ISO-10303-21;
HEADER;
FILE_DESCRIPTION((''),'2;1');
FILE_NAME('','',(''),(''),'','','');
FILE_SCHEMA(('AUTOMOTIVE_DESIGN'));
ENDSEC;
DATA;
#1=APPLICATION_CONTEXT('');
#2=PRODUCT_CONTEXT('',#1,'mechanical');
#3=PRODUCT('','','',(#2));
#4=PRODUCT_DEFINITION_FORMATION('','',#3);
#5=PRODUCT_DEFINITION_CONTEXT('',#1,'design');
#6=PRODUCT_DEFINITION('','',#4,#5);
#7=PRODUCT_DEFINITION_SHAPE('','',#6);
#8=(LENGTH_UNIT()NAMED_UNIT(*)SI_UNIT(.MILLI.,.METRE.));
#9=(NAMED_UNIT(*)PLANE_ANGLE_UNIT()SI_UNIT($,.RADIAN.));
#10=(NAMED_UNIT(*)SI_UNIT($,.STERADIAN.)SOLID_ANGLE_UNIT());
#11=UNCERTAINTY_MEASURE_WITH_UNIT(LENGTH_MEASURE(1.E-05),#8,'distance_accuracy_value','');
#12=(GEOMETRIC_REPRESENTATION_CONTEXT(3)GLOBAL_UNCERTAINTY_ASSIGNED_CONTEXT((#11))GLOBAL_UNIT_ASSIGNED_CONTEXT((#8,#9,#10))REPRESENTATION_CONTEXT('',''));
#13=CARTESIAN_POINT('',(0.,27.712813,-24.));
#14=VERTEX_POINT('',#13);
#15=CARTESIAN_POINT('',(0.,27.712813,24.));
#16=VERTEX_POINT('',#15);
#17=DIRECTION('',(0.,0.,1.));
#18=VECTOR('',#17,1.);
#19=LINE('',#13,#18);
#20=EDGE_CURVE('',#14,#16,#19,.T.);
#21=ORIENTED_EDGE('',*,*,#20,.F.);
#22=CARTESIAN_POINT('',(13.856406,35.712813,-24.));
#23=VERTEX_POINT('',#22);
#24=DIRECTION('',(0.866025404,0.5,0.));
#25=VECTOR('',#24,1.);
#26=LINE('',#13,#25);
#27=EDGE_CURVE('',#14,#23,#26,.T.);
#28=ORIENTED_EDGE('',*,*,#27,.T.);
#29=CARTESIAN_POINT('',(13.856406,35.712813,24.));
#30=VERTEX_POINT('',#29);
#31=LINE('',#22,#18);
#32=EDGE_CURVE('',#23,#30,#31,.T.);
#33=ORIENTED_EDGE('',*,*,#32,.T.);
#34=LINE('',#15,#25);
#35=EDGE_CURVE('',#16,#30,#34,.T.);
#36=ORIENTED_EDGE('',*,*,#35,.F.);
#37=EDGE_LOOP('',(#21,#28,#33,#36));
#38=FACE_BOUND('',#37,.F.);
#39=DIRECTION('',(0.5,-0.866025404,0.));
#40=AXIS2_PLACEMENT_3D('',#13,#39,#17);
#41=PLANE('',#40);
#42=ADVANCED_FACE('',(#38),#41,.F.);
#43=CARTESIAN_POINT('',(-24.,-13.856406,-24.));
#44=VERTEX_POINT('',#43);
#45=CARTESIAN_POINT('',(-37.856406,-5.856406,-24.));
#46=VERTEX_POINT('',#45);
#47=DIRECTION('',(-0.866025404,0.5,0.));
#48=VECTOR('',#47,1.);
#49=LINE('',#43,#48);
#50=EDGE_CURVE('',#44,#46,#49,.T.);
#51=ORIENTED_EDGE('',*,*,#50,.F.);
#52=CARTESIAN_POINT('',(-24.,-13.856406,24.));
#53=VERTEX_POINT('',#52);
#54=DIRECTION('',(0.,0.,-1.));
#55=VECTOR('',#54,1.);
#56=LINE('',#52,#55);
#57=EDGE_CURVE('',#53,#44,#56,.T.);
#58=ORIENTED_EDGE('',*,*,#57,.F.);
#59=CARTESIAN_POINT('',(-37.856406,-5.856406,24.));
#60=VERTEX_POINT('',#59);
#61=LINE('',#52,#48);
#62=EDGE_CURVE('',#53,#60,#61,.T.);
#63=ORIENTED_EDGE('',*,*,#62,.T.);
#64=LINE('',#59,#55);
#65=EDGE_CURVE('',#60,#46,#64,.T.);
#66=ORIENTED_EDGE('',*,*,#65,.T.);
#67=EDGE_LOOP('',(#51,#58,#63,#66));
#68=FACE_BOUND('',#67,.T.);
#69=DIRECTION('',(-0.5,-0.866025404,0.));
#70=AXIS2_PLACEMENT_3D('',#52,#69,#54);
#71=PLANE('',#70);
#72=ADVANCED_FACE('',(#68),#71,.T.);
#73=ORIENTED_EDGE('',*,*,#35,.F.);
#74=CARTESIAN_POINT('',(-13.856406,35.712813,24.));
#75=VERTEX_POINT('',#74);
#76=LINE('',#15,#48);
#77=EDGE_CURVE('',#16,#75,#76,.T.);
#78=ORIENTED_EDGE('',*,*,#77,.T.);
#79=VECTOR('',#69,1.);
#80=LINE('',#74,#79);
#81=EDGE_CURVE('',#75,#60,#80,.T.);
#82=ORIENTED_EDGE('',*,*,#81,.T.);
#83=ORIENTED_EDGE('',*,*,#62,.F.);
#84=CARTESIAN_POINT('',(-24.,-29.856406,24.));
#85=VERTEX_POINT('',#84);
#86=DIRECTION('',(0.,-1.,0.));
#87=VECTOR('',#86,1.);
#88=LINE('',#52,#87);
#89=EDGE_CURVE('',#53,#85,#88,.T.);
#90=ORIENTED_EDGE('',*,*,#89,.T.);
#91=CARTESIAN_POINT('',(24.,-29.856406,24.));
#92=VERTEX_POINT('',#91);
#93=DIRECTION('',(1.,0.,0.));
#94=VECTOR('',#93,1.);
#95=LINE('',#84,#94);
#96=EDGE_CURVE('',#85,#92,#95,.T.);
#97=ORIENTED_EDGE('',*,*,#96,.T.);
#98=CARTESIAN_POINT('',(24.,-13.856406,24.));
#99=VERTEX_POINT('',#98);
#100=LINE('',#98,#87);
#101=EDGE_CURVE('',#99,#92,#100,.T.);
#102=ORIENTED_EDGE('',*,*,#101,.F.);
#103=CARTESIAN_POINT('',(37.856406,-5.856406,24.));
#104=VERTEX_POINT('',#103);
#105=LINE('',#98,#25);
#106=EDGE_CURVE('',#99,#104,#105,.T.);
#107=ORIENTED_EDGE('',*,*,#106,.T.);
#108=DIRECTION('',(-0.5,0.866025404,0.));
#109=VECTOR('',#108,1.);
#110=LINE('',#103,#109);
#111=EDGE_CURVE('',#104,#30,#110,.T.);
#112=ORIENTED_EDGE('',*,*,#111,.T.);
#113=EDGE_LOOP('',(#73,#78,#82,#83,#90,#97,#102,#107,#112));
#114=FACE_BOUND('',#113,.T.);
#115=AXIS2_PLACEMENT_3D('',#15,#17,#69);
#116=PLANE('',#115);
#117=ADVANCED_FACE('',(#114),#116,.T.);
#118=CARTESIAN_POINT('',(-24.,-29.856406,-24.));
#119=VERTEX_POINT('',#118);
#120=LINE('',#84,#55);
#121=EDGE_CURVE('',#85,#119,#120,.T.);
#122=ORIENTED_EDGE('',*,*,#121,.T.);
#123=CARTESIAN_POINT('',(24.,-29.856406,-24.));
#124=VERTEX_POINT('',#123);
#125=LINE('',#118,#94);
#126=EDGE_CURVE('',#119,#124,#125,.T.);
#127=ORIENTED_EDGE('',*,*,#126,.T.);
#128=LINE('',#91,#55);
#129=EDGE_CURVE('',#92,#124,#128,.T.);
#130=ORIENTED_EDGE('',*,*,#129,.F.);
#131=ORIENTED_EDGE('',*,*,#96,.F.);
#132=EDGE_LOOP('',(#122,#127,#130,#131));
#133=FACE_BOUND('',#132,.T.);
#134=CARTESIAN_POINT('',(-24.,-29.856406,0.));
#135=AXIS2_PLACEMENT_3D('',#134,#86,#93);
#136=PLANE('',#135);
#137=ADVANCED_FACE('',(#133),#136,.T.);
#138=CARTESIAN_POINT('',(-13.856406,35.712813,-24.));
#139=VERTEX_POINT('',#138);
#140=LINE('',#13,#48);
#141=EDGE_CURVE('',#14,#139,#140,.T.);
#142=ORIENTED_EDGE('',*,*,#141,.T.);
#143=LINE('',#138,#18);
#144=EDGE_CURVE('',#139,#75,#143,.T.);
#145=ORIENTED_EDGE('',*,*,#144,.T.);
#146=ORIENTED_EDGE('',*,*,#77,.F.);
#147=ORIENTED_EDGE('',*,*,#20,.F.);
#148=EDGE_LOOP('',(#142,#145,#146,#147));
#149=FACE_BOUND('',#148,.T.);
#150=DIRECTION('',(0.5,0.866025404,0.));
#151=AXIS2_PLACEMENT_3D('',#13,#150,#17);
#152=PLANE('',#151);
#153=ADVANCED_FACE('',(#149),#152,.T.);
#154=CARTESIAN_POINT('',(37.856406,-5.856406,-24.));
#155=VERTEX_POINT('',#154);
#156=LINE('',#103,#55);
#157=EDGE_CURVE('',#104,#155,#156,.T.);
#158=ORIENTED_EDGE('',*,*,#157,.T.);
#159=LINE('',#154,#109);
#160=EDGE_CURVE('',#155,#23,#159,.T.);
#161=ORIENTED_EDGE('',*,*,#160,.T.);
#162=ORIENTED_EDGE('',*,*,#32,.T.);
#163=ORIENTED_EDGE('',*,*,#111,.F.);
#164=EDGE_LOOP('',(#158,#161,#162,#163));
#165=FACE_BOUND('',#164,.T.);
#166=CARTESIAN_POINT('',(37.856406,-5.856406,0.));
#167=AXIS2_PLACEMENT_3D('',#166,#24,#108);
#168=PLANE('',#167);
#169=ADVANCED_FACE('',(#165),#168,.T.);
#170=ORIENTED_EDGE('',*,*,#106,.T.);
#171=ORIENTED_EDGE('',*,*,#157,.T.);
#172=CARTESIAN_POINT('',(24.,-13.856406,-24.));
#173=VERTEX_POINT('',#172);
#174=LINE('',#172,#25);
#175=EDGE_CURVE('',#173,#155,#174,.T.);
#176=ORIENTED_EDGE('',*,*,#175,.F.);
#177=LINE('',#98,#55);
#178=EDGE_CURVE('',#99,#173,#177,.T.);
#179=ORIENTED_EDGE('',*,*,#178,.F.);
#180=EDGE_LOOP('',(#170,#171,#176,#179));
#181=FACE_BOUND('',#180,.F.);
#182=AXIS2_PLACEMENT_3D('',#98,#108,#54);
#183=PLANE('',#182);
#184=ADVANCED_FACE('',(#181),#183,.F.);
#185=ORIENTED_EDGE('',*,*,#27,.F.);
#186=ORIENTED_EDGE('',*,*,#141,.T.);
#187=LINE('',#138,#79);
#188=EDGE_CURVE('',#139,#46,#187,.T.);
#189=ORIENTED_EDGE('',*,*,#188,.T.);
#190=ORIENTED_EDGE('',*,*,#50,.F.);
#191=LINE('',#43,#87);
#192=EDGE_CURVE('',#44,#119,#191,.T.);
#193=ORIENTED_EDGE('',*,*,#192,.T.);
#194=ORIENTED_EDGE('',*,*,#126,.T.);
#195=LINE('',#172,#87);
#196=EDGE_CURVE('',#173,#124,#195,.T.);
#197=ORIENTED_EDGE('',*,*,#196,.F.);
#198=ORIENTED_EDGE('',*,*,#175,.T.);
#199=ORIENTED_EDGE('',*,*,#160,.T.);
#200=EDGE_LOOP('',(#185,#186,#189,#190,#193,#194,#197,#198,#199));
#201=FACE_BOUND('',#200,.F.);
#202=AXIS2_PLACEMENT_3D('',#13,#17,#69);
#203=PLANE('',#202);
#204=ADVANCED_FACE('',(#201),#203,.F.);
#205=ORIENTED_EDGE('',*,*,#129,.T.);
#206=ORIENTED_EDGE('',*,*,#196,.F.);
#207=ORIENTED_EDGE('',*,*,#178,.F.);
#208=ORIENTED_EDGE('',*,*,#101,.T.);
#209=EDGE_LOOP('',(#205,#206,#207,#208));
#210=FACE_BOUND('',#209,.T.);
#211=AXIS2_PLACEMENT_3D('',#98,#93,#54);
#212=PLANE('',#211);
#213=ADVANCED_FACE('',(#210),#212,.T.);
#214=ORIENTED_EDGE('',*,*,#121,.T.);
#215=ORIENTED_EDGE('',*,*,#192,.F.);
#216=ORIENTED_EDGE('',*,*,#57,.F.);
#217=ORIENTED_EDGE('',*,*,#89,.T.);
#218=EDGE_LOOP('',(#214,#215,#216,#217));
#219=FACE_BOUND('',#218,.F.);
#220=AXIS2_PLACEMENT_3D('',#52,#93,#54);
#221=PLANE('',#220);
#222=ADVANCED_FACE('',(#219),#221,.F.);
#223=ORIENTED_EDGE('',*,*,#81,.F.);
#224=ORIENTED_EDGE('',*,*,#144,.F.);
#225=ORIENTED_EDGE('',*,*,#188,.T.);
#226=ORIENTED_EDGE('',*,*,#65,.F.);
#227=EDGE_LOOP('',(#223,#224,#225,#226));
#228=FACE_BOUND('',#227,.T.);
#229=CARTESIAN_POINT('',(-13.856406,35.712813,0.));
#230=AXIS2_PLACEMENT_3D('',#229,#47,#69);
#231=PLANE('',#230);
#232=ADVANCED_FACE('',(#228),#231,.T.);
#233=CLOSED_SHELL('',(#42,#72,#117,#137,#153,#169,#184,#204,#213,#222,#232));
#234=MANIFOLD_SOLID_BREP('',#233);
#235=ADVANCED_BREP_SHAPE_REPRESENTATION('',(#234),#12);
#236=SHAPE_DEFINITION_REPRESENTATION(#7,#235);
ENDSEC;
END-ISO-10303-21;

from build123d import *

# Parameters (mm, degrees)
F1_DEPTH = 24
F2_DEPTH = 16
F3_DEPTH = 16
F4_DEPTH = 16


with BuildPart() as f1:
    # F0 (on Top) → F1 (new body, symmetric)
    with BuildSketch(Plane.XY):
        Polygon((24, -13.8564064606), (0, 27.7128129211), (-24, -13.8564064606), align=None)
    extrude(amount=F1_DEPTH, both=True)

    # F2 (add): a face of the model
    f2_faces = [f1.faces().sort_by_distance(p)[0] for p in [
        (0, -13.8564064606, 0),
    ]]
    extrude(f2_faces, amount=F2_DEPTH)

    # F3 (add): a face of the model
    f3_faces = [f1.faces().sort_by_distance(p)[0] for p in [
        (12, 6.9282032303, 0),
    ]]
    extrude(f3_faces, amount=F3_DEPTH)

    # F4 (add): a face of the model
    f4_faces = [f1.faces().sort_by_distance(p)[0] for p in [
        (-12, 6.9282032303, 0),
    ]]
    extrude(f4_faces, amount=F4_DEPTH)


solid = f1.part
